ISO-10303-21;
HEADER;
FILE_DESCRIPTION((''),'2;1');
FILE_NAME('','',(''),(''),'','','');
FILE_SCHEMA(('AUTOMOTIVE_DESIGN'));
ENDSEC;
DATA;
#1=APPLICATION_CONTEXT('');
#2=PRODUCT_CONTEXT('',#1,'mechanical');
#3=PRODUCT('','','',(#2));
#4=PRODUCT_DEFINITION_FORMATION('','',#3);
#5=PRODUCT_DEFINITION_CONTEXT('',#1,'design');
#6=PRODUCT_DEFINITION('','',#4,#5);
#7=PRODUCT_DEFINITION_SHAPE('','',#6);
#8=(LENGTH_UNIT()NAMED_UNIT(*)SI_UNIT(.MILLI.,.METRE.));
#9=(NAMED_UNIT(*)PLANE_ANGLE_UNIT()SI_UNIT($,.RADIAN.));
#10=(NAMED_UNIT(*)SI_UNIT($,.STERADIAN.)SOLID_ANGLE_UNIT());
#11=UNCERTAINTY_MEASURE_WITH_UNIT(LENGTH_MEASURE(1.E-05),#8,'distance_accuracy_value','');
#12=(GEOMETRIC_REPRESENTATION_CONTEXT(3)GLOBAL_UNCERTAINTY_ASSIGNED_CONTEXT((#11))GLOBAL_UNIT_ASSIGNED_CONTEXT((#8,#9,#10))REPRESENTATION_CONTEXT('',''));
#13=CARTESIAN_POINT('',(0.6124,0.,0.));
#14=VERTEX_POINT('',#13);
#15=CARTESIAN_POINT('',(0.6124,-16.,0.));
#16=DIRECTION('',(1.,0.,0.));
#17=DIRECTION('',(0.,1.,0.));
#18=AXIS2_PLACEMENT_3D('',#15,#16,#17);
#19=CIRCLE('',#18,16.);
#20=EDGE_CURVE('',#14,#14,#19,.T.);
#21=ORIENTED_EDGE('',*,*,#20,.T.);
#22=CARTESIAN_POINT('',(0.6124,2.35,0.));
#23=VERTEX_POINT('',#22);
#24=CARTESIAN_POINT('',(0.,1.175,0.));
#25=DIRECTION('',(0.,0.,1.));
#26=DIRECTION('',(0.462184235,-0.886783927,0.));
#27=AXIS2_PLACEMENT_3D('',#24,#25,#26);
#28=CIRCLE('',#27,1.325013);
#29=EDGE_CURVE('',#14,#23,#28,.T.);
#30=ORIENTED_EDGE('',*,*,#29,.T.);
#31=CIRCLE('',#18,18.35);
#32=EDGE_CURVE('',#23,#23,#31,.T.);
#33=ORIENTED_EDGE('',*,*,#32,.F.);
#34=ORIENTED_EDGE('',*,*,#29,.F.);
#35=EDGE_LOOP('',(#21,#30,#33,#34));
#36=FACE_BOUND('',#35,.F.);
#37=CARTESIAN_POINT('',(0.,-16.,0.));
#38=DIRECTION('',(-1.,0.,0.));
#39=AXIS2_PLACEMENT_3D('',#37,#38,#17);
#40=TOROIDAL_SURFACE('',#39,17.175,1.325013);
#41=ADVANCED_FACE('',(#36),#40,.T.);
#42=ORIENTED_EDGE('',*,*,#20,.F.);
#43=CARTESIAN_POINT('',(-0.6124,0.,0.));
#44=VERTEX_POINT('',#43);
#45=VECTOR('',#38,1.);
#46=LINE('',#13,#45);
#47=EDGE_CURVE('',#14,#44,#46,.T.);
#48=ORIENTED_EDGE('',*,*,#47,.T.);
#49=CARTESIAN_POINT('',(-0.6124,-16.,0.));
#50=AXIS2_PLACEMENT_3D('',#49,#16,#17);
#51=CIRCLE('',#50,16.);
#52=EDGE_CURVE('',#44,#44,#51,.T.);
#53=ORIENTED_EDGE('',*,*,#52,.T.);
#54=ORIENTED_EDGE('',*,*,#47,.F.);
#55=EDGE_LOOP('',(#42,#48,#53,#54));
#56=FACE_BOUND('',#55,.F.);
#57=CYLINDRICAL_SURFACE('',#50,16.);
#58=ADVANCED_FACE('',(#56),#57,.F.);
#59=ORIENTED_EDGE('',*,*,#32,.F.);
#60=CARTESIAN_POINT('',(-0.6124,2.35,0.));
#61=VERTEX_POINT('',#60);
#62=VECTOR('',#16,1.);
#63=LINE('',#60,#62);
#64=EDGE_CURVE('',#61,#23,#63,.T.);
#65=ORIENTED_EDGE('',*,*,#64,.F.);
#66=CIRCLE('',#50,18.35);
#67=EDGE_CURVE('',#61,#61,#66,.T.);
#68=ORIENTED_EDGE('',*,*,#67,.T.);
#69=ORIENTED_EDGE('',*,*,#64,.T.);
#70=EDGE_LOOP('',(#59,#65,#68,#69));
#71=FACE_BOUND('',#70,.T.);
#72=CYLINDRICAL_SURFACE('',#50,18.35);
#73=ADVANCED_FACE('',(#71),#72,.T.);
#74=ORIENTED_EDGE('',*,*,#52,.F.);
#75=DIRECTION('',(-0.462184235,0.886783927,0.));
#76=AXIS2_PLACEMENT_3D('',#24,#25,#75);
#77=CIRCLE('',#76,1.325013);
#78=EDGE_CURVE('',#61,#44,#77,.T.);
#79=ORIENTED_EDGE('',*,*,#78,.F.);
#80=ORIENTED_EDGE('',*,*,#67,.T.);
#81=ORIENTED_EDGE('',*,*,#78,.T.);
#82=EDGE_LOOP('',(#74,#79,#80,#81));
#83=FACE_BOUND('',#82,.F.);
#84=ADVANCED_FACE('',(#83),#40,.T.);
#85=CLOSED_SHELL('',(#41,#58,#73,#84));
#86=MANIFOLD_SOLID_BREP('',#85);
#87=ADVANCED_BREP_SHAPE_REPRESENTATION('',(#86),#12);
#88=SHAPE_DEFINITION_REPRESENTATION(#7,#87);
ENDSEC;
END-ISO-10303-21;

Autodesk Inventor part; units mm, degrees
ref_plane "YZ Plane" through (0, 0, 0) normal (1, 0, 0) x (0, 1, 0)
ref_plane "XZ Plane" through (0, 0, 0) normal (0, 1, 0) x (-1, 0, 0)
ref_plane "XY Plane" through (0, 0, 0) normal (0, 0, 1) x (1, 0, 0)
sketch "Sketch1" plane through (0, 0, 0) normal (0, 0, 1) x (1, 0, 0)
  line L0 (-0.0113, 0) -> (-0.0113, 0) construction
  line L1 (-0.6124, 2.35) -> (0.6124, 2.35)
  line L2 (-0.6124, 0) -> (0.6124, 0)
  arc A0 (-0.6124, 2.35) -> (-0.6124, 0) centre (0, 1.175) ccw
  line L3 (-4, -16) -> (6.0335, -16)
  line L4 (-6.0067, 0) -> (8.0403, 0) projected
  line L5 (0, 4.64) -> (0, -12.44) projected
  arc A1 (0.6124, 0) -> (0.6124, 2.35) centre (0, 1.175) ccw
  dimension "d0" = 32
  dimension "d1" = 1.175
  dimension "d2" = 1.325
  dimension "d3" = 1.175
  dimension "d4" = 2.35
revolve "Body" add sketch "Sketch1" angle 360 about axis through (-4, -16, 0) along (1, 0, 0)
equation "\"d0\" = NND"
equation "\"d1\" = -0.25 * NND + 0.25 * NDOR"
equation "\"d2\" = 0.5 * QDM"
equation "\"d3\" = -0.25 * NND + 0.25 * NDOR"
equation "\"d4\" = -0.5 * NND + 0.5 * NDOR"
equation "\"QDM\" = 2.65"
equation "\"NND\" = 32"
equation "\"NDOR\" = 36.7"
equation "\"R1\" = 0.3"
equation "\"R2\" = 0.2"
equation "\"SD1\" = 32.5"
equation "\"NB1\" = 3.4"
equation "\"BD\" = 32.14"
equation "\"NTOR\" = -0.5 * NND + 0.5 * NDOR"
properties part number "ISO 3601-1 - B 0325 G" material "Rubber"
